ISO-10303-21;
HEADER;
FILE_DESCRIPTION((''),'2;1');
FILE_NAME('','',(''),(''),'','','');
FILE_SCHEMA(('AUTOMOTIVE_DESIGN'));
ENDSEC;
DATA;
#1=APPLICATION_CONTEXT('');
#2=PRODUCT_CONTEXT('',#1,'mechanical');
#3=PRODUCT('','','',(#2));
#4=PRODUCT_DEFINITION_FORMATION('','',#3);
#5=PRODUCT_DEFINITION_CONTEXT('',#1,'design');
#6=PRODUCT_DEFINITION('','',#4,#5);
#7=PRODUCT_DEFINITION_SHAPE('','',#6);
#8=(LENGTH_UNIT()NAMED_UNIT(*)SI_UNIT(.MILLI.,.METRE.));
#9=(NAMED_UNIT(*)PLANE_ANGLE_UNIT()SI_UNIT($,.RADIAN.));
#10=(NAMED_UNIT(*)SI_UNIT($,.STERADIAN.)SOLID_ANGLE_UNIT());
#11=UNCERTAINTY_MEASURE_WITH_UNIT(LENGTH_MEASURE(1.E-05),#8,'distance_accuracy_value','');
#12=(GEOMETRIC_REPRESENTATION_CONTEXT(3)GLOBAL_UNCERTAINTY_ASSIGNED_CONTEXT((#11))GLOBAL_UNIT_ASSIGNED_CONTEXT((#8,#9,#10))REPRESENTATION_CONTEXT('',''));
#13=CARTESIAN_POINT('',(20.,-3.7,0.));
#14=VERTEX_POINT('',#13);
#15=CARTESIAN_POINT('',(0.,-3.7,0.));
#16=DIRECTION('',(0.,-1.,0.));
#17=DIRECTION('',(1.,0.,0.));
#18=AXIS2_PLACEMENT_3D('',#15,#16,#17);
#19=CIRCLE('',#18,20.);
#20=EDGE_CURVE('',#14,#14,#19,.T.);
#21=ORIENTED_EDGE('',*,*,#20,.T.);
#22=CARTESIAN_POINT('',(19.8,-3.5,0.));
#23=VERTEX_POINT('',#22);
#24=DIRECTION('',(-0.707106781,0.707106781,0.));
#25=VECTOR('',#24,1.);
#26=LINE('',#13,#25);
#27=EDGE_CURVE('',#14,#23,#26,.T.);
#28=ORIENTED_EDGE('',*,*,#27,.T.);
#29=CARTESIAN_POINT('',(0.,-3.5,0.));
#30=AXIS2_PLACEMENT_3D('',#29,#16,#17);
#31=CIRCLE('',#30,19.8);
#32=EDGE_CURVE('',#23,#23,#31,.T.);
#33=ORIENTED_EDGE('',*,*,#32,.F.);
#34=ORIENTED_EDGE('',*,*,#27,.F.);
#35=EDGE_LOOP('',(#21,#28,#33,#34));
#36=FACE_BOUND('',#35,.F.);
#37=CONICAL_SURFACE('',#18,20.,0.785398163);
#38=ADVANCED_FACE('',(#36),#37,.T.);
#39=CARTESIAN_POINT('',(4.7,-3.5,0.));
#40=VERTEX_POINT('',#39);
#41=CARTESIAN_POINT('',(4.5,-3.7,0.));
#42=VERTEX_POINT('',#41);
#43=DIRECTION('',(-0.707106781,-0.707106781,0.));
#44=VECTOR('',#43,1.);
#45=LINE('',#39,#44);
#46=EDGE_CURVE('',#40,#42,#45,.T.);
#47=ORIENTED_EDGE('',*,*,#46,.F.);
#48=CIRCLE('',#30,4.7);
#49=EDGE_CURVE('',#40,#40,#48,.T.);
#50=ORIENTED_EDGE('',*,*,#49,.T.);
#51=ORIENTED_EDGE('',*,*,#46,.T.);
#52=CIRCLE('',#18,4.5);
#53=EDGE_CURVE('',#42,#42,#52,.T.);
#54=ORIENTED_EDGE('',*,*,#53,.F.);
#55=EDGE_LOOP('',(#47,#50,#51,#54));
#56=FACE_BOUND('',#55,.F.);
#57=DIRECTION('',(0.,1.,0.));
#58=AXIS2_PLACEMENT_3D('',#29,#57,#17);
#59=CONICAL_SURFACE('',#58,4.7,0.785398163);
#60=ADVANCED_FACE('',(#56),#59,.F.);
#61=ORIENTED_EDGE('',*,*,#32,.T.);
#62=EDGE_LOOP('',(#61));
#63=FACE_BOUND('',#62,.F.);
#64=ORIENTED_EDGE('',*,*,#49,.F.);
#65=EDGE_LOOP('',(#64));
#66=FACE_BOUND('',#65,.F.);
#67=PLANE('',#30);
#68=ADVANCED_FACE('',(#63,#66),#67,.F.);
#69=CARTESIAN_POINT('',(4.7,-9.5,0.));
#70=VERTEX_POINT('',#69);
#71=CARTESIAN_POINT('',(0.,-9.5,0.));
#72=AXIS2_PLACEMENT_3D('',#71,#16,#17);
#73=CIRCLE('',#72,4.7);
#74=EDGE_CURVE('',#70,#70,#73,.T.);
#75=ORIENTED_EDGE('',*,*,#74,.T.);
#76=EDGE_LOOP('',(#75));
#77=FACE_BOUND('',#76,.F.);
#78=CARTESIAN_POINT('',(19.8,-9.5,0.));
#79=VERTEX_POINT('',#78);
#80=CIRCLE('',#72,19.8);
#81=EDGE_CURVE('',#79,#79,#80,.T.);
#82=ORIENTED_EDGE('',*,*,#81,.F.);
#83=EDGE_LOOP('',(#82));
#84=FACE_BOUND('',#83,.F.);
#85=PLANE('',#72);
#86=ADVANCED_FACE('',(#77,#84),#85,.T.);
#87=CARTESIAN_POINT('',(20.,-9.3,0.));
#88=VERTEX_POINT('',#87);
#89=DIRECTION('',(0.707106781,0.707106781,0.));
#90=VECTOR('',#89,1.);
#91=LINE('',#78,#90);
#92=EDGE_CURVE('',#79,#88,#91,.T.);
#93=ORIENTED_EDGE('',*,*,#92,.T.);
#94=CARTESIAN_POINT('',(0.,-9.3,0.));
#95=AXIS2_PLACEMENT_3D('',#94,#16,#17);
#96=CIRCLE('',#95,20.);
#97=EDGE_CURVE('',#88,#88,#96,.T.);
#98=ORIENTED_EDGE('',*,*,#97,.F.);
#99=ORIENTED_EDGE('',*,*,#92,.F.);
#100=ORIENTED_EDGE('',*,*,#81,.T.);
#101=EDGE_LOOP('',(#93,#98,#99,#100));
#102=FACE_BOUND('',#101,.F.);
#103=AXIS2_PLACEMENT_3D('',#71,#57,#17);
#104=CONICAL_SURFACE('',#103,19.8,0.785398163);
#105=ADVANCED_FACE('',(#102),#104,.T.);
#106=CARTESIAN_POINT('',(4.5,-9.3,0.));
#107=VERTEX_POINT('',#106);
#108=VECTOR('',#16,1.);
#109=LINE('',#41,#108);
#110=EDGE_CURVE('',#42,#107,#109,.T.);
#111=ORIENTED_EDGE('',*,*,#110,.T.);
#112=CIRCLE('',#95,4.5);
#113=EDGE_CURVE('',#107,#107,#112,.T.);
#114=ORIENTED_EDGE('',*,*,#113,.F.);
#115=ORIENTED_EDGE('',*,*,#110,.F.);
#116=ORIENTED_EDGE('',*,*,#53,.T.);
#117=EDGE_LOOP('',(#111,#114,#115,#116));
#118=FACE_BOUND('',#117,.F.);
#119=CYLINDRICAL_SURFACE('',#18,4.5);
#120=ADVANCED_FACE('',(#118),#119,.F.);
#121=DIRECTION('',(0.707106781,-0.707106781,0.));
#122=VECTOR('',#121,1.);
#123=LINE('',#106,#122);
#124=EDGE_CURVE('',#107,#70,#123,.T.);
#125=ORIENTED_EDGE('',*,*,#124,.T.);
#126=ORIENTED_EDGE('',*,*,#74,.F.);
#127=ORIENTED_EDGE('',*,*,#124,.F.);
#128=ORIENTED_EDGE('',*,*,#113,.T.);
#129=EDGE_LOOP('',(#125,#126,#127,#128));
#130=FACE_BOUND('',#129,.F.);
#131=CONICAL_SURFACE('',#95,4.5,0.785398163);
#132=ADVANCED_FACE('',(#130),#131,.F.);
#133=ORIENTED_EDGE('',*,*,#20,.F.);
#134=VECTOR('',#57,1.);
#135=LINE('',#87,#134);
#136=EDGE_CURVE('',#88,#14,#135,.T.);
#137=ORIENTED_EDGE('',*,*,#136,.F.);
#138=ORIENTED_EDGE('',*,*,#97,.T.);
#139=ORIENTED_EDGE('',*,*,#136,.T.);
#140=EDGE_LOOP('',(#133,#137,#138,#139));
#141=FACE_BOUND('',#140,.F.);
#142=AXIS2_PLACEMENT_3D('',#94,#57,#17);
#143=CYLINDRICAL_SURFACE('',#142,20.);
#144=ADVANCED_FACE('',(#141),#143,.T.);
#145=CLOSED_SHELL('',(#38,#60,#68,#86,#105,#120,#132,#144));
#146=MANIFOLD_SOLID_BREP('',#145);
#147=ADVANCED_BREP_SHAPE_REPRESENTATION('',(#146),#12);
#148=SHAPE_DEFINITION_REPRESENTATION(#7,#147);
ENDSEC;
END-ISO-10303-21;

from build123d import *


with BuildPart() as part:
    # Sketch1 → Revolve1 (revolve)
    with BuildSketch(Plane.XY):
        Polygon((4.7, -9.5), (19.8, -9.5), (20, -9.3), (20, -3.7), (19.8, -3.5), (4.7, -3.5), (4.5, -3.7), (4.5, -9.3), align=None)
    revolve(axis=Axis((0, 9.5, 0), (0, -1, 0)))


solid = part.part
